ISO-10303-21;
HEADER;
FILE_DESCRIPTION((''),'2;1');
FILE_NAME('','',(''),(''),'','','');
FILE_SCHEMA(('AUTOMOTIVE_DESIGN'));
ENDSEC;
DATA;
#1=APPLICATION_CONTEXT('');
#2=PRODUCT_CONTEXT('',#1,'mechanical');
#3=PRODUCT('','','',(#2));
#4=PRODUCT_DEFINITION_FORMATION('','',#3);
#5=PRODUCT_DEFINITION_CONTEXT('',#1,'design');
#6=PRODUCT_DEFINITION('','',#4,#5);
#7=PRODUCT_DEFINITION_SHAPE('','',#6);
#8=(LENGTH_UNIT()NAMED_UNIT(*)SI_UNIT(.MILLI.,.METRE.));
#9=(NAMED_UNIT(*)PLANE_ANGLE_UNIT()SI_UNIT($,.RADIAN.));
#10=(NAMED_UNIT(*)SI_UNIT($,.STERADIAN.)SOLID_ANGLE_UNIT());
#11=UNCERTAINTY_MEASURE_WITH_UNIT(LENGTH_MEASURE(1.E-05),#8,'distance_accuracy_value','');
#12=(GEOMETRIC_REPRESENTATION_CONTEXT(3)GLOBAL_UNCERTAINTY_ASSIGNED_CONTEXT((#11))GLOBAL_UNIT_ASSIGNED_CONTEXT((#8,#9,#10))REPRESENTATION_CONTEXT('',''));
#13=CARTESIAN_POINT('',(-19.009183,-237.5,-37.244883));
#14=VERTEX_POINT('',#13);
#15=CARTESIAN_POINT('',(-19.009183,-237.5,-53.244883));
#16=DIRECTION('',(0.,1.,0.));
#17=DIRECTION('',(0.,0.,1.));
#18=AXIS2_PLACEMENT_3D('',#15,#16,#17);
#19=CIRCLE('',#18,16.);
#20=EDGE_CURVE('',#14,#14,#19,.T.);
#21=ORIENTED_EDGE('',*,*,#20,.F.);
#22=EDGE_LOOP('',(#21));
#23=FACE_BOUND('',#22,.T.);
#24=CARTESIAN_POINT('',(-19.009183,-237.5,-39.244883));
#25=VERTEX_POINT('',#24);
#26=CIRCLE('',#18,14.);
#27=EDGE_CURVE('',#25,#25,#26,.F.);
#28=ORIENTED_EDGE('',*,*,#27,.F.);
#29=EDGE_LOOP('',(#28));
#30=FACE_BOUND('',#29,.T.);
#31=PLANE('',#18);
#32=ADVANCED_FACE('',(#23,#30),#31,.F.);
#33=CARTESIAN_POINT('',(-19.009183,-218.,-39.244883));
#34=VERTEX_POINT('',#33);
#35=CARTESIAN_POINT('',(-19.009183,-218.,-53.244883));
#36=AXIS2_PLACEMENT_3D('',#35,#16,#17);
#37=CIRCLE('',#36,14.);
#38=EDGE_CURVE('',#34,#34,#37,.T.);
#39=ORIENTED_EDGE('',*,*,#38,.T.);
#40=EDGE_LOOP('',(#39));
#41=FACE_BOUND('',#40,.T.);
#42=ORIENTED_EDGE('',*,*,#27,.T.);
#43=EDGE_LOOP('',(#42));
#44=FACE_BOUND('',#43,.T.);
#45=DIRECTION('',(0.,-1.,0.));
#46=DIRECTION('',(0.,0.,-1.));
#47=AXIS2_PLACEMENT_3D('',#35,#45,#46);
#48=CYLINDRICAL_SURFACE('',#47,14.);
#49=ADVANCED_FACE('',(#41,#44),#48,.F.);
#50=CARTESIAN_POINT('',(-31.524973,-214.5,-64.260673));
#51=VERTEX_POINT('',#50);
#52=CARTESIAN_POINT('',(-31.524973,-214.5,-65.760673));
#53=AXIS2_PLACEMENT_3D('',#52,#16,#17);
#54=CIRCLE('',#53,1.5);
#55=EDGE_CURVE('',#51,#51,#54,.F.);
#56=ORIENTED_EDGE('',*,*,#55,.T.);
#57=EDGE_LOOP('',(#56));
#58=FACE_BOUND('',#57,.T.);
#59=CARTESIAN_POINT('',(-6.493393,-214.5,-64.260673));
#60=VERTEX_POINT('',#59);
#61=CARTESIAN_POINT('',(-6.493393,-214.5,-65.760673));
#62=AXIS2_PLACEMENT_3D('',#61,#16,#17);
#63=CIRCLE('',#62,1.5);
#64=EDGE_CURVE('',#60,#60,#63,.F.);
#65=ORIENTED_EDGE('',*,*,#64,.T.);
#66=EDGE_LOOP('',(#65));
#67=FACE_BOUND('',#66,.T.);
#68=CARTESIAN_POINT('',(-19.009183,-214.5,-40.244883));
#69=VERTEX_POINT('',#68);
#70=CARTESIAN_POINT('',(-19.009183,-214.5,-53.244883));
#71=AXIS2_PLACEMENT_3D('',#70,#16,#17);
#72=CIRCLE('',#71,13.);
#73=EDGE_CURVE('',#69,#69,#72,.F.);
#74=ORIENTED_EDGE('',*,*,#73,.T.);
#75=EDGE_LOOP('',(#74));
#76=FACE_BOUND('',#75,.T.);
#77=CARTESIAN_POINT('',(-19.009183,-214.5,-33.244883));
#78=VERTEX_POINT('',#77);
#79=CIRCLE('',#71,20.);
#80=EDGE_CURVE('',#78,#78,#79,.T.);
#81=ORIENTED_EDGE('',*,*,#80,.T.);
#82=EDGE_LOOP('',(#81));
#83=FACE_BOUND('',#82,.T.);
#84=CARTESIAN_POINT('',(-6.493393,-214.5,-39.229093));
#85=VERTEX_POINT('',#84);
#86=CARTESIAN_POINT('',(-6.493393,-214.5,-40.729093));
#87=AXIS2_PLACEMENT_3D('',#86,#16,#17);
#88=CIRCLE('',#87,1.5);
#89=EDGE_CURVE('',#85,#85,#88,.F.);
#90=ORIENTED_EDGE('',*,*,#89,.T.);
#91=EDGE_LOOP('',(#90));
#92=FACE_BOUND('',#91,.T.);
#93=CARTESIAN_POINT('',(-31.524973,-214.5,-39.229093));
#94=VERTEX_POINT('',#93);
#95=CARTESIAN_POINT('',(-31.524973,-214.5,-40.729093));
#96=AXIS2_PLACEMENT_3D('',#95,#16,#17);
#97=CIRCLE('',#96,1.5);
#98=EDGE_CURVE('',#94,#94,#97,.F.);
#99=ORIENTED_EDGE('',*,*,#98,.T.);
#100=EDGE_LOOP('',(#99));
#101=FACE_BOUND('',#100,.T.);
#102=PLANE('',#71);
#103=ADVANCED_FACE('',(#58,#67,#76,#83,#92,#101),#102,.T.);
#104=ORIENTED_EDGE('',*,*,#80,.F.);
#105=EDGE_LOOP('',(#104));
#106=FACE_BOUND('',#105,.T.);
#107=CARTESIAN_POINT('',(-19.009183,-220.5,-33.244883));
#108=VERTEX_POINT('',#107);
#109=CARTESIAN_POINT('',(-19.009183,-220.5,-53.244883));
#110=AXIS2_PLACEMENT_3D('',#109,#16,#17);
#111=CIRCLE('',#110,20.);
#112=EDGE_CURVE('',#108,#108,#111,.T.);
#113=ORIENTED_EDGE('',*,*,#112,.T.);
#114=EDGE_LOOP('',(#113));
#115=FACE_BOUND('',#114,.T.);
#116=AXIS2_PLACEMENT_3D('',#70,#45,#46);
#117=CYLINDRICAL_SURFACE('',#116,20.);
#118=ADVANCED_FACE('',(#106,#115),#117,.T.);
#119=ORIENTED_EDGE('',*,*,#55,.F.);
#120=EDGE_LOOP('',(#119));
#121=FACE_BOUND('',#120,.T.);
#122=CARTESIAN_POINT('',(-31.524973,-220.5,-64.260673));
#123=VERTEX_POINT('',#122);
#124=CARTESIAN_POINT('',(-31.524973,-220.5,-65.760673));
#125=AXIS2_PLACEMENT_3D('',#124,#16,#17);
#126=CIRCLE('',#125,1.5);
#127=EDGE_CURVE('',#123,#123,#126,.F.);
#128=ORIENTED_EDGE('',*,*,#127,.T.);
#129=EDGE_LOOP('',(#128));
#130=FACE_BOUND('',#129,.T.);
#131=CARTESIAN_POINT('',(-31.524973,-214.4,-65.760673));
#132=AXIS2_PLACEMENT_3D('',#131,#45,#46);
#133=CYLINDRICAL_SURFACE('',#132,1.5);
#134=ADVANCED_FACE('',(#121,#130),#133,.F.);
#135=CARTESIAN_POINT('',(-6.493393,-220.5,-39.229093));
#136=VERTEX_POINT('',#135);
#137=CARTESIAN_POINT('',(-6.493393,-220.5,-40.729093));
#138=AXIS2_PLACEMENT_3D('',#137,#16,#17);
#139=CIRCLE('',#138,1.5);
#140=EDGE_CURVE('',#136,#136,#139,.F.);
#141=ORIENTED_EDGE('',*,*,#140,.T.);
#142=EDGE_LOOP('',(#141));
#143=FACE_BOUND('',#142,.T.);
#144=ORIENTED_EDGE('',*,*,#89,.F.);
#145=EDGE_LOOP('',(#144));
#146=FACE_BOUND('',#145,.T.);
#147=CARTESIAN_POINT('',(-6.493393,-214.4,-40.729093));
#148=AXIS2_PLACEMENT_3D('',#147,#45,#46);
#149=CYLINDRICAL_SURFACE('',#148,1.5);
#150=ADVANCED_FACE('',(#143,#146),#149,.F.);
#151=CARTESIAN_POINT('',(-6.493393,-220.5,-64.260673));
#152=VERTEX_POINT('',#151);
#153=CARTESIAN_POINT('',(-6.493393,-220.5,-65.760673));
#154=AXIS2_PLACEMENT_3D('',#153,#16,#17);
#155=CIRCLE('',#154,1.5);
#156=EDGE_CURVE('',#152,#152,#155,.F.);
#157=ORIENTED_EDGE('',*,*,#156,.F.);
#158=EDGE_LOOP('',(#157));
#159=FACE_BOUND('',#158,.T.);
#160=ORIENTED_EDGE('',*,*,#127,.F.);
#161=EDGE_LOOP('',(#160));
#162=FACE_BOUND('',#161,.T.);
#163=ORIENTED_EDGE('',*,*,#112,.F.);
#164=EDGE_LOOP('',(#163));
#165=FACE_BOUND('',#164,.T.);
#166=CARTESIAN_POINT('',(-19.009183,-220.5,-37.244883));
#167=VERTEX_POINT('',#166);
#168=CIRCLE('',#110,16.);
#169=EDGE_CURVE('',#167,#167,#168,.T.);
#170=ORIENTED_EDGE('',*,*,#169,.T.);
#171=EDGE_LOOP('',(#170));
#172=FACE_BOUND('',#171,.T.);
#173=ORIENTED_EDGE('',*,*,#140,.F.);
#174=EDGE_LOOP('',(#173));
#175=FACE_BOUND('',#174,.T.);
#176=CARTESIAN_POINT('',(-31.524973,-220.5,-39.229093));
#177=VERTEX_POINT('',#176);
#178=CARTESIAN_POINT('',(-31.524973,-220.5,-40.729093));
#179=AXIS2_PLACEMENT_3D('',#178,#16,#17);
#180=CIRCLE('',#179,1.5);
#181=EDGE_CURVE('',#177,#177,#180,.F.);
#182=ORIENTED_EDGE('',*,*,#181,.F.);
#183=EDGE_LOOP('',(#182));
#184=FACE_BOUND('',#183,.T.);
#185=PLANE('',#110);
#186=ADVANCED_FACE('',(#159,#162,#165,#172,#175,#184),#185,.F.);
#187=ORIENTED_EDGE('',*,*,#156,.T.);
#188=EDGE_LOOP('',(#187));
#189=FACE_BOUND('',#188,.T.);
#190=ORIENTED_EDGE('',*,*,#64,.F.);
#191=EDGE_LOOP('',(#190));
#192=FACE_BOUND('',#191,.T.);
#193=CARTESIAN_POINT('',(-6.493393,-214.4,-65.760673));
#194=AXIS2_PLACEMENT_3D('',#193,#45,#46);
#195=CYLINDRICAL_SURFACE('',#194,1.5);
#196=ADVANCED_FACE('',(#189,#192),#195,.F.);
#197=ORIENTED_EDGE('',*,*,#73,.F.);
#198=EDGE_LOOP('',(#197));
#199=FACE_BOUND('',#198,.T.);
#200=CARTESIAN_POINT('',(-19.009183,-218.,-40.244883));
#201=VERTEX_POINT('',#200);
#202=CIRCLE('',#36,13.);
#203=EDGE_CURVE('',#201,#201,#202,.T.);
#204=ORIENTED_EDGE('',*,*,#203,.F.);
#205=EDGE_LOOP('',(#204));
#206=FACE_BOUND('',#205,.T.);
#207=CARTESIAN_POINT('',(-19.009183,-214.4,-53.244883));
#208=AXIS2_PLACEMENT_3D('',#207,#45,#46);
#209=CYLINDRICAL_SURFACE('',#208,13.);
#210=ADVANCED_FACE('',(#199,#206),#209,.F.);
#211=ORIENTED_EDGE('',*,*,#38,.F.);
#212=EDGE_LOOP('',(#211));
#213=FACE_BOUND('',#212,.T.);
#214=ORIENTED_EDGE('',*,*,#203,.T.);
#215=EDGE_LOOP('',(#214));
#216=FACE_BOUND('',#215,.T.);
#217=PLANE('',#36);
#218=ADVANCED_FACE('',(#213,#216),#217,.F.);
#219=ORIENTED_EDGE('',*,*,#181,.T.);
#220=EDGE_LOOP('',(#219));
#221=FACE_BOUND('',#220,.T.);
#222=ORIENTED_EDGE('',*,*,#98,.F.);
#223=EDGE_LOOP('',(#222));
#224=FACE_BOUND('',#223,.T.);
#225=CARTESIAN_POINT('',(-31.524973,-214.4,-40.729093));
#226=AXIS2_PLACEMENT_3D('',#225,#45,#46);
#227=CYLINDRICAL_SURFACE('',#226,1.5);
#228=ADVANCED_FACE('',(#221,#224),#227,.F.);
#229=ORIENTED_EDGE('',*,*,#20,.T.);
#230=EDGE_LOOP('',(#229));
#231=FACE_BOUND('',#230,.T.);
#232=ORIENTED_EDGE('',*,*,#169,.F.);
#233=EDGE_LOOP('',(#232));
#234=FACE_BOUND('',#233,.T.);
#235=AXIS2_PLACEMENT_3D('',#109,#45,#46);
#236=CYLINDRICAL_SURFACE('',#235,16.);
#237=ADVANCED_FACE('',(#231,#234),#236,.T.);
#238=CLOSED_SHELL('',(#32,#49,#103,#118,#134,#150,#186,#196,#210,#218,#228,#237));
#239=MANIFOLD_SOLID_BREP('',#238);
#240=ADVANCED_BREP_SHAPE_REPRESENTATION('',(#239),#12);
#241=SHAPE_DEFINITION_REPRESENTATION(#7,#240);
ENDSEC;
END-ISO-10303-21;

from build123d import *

# Parameters (mm, degrees)
CARTRIDGE_BARREL_SKETCH_R         = 16
CARTRIDGE_BARREL_DEPTH            = 17
SIX_MILLIMETRE_FLANGE_SKETCH_R    = 20
SIX_MILLIMETRE_FLANGE_DEPTH       = 6
BEARING_BORE_SKETCH_R             = 14
BEARING_BORE_DEPTH                = 19.6
OUTER_RACE_SHOULDER_EXIT_SKETCH_R = 13
OUTER_RACE_SHOULDER_EXIT_DEPTH    = 3.6
M3_TAPPED_HOLE_PATTERN_SKETCH_R   = 1.5
M3_TAPPED_HOLE_PATTERN_DEPTH      = 6.2


with BuildPart() as part:
    # Cartridge barrel sketch → Cartridge barrel (new body)
    with BuildSketch(Plane(origin=(0, -237.5, 0), x_dir=(1, 0, 0), z_dir=(0, 1, 0))):
        with Locations(Location((-19.009182883, 53.244882879, 0), (0, 0, 270))):
            Circle(CARTRIDGE_BARREL_SKETCH_R)
    extrude(amount=CARTRIDGE_BARREL_DEPTH)

    # Six millimetre flange sketch → Six millimetre flange (add)
    with BuildSketch(Plane(origin=(0, -220.5, 0), x_dir=(1, 0, 0), z_dir=(0, 1, 0))):
        with Locations(Location((-19.009182883, 53.244882879, 0), (0, 0, 270))):
            Circle(SIX_MILLIMETRE_FLANGE_SKETCH_R)
    extrude(amount=SIX_MILLIMETRE_FLANGE_DEPTH)

    # Bearing bore sketch → Bearing bore (cut)
    with BuildSketch(Plane(origin=(0, -237.6, 0), x_dir=(1, 0, 0), z_dir=(0, 1, 0))):
        with Locations(Location((-19.009182883, 53.244882879, 0), (0, 0, 270))):
            Circle(BEARING_BORE_SKETCH_R)
    extrude(amount=BEARING_BORE_DEPTH, mode=Mode.SUBTRACT)

    # Outer race shoulder exit sketch → Outer race shoulder exit (cut)
    with BuildSketch(Plane(origin=(0, -218, 0), x_dir=(1, 0, 0), z_dir=(0, 1, 0))):
        with Locations(Location((-19.009182883, 53.244882879, 0), (0, 0, 270))):
            Circle(OUTER_RACE_SHOULDER_EXIT_SKETCH_R)
    extrude(amount=OUTER_RACE_SHOULDER_EXIT_DEPTH, mode=Mode.SUBTRACT)

    # M3 tapped hole pattern sketch → M3 tapped hole pattern (cut)
    with BuildSketch(Plane(origin=(0, -220.6, 0), x_dir=(1, 0, 0), z_dir=(0, 1, 0))):
        with Locations(Location((-6.493392856, 40.729092852, 0), (0, 0, 270))):
            Circle(M3_TAPPED_HOLE_PATTERN_SKETCH_R)
        with Locations(Location((-31.52497291, 40.729092852, 0), (0, 0, 270))):
            Circle(M3_TAPPED_HOLE_PATTERN_SKETCH_R)
        with Locations(Location((-31.52497291, 65.760672906, 0), (0, 0, 270))):
            Circle(M3_TAPPED_HOLE_PATTERN_SKETCH_R)
        with Locations(Location((-6.493392856, 65.760672906, 0), (0, 0, 270))):
            Circle(M3_TAPPED_HOLE_PATTERN_SKETCH_R)
    extrude(amount=M3_TAPPED_HOLE_PATTERN_DEPTH, mode=Mode.SUBTRACT)


solid = part.part
